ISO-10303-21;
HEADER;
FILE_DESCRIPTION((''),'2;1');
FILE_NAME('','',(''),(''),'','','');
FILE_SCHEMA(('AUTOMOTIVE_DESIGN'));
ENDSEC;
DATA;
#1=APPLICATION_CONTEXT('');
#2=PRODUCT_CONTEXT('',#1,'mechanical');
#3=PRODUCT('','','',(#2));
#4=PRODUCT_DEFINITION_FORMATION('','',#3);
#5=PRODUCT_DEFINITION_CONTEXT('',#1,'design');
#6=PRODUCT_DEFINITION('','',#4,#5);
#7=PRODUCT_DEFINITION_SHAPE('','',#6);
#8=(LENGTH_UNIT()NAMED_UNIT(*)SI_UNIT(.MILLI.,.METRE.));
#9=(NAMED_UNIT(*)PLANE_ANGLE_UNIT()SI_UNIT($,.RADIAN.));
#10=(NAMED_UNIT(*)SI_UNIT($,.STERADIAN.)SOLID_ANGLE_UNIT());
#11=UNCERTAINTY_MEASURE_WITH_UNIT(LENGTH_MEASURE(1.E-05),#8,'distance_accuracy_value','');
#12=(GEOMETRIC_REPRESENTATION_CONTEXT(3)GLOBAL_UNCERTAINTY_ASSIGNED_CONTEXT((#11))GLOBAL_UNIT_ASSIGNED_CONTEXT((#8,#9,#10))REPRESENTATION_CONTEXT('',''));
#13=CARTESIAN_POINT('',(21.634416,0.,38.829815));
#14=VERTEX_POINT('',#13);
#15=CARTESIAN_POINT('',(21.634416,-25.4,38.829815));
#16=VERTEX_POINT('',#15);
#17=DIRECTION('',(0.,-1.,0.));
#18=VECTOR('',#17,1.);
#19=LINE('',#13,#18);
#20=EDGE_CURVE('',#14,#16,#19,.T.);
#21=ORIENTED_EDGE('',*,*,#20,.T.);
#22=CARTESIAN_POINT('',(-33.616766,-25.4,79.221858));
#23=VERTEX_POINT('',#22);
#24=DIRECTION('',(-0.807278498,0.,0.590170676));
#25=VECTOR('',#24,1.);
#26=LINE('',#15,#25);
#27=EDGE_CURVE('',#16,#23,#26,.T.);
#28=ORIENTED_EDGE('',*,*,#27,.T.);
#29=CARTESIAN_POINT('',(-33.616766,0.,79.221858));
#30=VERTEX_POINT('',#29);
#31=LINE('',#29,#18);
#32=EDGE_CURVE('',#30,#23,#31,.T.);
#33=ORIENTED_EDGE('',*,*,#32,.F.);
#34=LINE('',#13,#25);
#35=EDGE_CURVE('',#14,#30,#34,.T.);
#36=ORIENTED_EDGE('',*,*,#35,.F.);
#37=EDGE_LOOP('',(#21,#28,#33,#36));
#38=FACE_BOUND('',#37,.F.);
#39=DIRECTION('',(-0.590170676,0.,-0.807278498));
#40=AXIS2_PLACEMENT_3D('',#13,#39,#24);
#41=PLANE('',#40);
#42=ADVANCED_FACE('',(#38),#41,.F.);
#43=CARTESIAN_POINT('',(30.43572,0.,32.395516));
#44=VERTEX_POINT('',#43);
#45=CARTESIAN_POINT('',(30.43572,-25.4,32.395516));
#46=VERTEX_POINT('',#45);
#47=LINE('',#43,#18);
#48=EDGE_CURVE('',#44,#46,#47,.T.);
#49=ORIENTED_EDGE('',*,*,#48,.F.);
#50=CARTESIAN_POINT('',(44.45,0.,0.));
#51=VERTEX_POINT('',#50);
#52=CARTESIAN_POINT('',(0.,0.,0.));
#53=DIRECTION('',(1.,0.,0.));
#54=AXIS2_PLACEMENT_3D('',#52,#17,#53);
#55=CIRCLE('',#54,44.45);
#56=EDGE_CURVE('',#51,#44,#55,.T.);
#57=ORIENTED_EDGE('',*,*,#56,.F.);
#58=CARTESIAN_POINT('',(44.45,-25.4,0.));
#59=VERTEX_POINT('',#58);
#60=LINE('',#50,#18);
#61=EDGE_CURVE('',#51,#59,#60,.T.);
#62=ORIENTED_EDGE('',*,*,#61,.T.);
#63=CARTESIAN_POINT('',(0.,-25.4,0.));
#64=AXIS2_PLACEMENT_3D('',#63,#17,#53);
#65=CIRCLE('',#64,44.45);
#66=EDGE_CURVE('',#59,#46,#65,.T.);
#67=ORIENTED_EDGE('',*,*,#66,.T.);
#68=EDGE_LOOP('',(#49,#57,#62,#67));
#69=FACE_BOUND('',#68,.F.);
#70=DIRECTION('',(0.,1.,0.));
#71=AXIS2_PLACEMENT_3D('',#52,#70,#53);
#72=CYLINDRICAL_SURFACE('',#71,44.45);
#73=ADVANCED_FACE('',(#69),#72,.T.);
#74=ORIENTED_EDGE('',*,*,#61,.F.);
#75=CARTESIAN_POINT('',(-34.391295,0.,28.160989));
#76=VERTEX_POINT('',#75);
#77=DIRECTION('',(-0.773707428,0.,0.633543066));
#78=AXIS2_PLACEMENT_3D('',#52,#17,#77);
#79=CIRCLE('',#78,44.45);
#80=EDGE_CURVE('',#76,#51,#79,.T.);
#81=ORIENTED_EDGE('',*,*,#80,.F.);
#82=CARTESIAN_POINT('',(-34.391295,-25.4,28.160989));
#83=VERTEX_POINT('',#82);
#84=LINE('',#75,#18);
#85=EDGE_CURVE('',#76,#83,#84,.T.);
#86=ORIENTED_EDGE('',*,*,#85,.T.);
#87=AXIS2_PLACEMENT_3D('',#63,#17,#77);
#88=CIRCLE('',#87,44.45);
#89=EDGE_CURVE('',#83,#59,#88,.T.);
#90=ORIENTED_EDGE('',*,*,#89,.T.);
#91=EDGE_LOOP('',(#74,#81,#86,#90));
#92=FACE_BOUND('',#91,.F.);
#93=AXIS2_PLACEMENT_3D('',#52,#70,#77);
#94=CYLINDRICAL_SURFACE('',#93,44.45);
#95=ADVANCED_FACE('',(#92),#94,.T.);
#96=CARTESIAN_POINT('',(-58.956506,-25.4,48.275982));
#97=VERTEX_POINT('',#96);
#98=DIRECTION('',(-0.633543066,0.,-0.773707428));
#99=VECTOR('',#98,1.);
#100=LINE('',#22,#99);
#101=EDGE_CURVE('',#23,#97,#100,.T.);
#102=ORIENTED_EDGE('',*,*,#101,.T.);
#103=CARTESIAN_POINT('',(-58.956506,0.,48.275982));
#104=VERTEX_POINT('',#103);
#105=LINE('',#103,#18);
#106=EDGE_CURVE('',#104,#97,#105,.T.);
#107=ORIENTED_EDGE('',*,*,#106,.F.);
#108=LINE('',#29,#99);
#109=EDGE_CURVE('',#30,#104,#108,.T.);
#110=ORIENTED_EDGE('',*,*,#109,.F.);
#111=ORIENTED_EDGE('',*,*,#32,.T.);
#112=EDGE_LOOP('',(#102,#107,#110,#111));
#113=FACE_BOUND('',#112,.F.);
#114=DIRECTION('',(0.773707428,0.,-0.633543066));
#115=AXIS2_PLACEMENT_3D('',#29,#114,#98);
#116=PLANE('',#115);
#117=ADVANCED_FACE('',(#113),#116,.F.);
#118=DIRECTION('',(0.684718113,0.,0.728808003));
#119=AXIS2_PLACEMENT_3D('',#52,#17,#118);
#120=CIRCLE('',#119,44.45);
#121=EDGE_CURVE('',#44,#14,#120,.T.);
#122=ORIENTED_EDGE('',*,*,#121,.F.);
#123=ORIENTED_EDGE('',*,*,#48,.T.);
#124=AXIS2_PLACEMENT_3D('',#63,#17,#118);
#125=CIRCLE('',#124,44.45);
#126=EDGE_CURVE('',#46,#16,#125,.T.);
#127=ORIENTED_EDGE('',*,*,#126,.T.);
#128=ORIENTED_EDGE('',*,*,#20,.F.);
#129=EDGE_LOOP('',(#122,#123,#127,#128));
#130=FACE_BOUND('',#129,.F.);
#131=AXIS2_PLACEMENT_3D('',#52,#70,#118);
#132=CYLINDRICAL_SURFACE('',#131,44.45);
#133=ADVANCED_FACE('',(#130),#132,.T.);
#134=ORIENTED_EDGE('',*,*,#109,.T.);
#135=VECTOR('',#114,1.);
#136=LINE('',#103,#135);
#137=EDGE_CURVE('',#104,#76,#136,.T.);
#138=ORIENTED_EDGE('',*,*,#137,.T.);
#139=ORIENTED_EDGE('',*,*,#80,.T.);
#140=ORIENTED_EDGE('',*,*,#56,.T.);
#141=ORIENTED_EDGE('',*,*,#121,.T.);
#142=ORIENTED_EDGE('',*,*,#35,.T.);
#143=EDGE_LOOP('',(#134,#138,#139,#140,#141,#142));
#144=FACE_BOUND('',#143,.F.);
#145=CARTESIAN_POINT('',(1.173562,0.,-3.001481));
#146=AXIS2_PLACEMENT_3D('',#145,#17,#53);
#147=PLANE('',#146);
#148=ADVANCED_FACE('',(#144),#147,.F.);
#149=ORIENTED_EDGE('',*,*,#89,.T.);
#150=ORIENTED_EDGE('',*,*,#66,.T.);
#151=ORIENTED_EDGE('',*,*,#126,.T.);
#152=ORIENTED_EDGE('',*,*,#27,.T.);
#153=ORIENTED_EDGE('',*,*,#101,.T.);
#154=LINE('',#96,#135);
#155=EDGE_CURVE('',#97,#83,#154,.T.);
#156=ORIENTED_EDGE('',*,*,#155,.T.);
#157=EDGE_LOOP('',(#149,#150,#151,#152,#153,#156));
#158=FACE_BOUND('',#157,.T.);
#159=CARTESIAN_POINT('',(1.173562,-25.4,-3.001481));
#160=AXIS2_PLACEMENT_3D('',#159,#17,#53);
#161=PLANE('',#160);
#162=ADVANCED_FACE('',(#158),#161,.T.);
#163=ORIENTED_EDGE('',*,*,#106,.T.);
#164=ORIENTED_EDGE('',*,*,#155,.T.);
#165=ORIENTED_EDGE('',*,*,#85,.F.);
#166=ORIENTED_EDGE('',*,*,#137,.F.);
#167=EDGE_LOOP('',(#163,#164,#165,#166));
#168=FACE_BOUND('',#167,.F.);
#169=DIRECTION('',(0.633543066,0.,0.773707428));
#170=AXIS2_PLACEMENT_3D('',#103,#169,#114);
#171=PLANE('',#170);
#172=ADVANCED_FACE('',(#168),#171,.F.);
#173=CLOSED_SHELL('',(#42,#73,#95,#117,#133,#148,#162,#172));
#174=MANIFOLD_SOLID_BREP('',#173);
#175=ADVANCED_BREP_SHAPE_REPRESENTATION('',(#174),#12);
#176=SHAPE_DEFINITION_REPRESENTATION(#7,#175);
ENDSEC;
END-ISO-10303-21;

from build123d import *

# Parameters (mm, degrees)
F1_DEPTH = 25.4


with BuildPart() as f1:
    # F0 (on Front) → F1 (new body)
    with BuildSketch(Plane.XZ):
        with BuildLine():
            Line((30.4357201419, 32.3955157304), (0, 0))
            Line((0, 0), (-34.3912951606, 28.1609892791))
            ThreePointArc((-34.3912951606, 28.1609892791), (-14.951746221, -41.8598588739), (44.45, 0))
            ThreePointArc((44.45, 0), (40.7962636789, 17.6484381701), (30.4357201419, 32.3955157304))
        make_face()
        with BuildLine():
            Line((-34.3912951606, 28.1609892791), (0, 0))
            Line((0, 0), (30.4357201419, 32.3955157304))
            Line((30.4357201419, 32.3955157304), (21.6344162972, 38.8298149812))
            ThreePointArc((21.6344162972, 38.8298149812), (-8.3150736647, 43.6653415188), (-34.3912951606, 28.1609892791))
        make_face()
        with BuildLine():
            Line((-58.9565059896, 48.2759816213), (-34.3912951606, 28.1609892791))
            ThreePointArc((-34.3912951606, 28.1609892791), (-8.3150736647, 43.6653415188), (21.6344162972, 38.8298149812))
            Line((21.6344162972, 38.8298149812), (-33.6167658697, 79.2218576031))
            Line((-33.6167658697, 79.2218576031), (-58.9565059896, 48.2759816213))
        make_face()
        with BuildLine():
            Line((21.6344162972, 38.8298149812), (30.4357201419, 32.3955157304))
            ThreePointArc((30.4357201419, 32.3955157304), (26.2330865304, 35.8835292452), (21.6344162972, 38.8298149812))
        make_face()
    extrude(amount=F1_DEPTH)


solid = f1.part
